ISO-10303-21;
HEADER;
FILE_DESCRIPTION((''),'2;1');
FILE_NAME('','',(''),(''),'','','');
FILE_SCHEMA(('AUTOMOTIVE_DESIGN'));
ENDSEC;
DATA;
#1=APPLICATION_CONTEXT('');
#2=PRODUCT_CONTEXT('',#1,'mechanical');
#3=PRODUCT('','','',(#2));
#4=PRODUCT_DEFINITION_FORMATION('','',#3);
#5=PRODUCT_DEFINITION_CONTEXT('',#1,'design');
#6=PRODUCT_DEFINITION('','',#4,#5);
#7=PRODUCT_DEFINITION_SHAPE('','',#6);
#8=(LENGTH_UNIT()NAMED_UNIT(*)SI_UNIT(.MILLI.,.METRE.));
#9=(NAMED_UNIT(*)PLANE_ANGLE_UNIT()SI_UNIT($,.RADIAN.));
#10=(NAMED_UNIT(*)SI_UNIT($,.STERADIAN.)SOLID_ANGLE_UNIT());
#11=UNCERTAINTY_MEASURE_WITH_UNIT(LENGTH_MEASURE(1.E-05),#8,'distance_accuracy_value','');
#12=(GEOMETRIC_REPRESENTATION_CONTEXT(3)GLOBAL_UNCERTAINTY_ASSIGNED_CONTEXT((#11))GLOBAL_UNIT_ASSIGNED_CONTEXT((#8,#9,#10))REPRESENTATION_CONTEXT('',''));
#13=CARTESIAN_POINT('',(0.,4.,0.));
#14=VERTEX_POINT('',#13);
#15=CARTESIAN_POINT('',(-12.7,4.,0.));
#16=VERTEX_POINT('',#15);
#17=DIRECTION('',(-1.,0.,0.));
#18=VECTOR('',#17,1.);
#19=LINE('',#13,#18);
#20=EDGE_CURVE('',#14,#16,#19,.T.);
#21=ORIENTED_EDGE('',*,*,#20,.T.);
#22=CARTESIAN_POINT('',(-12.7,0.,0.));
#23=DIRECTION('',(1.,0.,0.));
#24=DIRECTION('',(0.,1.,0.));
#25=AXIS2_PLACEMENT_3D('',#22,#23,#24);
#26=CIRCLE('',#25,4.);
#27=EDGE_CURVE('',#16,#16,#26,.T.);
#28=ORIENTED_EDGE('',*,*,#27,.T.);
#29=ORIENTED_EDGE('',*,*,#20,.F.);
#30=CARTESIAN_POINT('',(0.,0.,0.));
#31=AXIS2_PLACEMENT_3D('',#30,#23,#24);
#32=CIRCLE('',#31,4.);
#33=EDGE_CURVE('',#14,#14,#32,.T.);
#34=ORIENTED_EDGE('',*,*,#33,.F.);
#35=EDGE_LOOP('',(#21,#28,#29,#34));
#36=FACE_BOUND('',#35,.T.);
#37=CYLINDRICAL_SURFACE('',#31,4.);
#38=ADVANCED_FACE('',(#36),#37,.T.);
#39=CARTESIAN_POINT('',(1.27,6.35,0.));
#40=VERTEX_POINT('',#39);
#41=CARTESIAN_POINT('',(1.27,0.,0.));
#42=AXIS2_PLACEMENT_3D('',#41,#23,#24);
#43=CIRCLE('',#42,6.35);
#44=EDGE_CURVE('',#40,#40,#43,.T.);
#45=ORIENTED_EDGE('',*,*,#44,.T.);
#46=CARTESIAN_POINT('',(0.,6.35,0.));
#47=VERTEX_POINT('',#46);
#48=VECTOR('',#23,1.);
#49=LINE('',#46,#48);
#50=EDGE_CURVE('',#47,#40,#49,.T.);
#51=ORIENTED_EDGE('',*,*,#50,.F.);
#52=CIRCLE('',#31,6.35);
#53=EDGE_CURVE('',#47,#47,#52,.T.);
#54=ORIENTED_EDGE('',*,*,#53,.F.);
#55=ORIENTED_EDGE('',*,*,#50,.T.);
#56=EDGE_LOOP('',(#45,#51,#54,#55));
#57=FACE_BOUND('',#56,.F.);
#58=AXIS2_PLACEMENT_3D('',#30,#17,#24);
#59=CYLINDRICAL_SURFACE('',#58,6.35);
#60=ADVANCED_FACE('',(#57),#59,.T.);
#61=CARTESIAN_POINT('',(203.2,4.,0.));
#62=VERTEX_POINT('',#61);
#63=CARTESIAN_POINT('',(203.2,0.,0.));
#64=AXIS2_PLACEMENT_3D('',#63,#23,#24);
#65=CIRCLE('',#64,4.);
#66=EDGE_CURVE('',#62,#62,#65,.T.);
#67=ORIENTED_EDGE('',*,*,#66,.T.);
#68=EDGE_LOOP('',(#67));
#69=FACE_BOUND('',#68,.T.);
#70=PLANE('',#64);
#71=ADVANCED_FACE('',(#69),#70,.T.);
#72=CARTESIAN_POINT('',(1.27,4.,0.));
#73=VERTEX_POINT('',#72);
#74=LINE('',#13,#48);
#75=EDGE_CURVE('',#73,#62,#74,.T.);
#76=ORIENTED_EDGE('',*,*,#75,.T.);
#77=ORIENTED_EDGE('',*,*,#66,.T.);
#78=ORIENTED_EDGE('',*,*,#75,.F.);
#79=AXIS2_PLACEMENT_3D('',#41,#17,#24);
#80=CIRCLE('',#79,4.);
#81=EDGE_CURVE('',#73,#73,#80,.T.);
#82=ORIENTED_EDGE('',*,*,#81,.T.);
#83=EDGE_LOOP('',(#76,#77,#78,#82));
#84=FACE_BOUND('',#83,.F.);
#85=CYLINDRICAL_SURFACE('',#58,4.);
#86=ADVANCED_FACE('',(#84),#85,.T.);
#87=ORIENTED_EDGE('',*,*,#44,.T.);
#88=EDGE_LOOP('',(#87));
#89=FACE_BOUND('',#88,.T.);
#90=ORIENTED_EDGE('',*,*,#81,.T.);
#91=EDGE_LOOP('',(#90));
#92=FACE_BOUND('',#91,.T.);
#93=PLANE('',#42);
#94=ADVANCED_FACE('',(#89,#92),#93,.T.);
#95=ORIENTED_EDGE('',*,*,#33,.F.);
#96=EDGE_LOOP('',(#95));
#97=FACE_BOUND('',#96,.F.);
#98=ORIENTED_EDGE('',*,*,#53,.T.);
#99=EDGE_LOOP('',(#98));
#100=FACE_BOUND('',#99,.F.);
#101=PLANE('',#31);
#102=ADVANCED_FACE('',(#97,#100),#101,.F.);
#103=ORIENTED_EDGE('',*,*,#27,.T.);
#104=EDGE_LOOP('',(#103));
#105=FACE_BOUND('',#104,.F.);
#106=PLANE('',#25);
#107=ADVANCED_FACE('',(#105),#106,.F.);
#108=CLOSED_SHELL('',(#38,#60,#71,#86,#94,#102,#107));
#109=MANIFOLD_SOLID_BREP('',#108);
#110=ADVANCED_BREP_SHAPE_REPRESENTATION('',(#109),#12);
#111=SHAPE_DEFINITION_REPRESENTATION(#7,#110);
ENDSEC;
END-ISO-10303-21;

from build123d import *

# Parameters (mm, degrees)
F0_R     = 4
F1_DEPTH = 203.2
F2_R     = 6.35
F3_DEPTH = 1.27
F4_R     = 4
F5_DEPTH = 12.7


with BuildPart() as f1:
    # F0 (on Right) → F1 (new body)
    with BuildSketch(Plane.YZ):
        Circle(F0_R)
    extrude(amount=F1_DEPTH)

    # F2 (on Right) → F3 (join)
    with BuildSketch(Plane.YZ):
        Circle(F2_R)
    extrude(amount=F3_DEPTH)

    # F4 (on Right) → F5 (join)
    with BuildSketch(Plane.YZ):
        Circle(F4_R)
    extrude(amount=-F5_DEPTH)


solid = f1.part
